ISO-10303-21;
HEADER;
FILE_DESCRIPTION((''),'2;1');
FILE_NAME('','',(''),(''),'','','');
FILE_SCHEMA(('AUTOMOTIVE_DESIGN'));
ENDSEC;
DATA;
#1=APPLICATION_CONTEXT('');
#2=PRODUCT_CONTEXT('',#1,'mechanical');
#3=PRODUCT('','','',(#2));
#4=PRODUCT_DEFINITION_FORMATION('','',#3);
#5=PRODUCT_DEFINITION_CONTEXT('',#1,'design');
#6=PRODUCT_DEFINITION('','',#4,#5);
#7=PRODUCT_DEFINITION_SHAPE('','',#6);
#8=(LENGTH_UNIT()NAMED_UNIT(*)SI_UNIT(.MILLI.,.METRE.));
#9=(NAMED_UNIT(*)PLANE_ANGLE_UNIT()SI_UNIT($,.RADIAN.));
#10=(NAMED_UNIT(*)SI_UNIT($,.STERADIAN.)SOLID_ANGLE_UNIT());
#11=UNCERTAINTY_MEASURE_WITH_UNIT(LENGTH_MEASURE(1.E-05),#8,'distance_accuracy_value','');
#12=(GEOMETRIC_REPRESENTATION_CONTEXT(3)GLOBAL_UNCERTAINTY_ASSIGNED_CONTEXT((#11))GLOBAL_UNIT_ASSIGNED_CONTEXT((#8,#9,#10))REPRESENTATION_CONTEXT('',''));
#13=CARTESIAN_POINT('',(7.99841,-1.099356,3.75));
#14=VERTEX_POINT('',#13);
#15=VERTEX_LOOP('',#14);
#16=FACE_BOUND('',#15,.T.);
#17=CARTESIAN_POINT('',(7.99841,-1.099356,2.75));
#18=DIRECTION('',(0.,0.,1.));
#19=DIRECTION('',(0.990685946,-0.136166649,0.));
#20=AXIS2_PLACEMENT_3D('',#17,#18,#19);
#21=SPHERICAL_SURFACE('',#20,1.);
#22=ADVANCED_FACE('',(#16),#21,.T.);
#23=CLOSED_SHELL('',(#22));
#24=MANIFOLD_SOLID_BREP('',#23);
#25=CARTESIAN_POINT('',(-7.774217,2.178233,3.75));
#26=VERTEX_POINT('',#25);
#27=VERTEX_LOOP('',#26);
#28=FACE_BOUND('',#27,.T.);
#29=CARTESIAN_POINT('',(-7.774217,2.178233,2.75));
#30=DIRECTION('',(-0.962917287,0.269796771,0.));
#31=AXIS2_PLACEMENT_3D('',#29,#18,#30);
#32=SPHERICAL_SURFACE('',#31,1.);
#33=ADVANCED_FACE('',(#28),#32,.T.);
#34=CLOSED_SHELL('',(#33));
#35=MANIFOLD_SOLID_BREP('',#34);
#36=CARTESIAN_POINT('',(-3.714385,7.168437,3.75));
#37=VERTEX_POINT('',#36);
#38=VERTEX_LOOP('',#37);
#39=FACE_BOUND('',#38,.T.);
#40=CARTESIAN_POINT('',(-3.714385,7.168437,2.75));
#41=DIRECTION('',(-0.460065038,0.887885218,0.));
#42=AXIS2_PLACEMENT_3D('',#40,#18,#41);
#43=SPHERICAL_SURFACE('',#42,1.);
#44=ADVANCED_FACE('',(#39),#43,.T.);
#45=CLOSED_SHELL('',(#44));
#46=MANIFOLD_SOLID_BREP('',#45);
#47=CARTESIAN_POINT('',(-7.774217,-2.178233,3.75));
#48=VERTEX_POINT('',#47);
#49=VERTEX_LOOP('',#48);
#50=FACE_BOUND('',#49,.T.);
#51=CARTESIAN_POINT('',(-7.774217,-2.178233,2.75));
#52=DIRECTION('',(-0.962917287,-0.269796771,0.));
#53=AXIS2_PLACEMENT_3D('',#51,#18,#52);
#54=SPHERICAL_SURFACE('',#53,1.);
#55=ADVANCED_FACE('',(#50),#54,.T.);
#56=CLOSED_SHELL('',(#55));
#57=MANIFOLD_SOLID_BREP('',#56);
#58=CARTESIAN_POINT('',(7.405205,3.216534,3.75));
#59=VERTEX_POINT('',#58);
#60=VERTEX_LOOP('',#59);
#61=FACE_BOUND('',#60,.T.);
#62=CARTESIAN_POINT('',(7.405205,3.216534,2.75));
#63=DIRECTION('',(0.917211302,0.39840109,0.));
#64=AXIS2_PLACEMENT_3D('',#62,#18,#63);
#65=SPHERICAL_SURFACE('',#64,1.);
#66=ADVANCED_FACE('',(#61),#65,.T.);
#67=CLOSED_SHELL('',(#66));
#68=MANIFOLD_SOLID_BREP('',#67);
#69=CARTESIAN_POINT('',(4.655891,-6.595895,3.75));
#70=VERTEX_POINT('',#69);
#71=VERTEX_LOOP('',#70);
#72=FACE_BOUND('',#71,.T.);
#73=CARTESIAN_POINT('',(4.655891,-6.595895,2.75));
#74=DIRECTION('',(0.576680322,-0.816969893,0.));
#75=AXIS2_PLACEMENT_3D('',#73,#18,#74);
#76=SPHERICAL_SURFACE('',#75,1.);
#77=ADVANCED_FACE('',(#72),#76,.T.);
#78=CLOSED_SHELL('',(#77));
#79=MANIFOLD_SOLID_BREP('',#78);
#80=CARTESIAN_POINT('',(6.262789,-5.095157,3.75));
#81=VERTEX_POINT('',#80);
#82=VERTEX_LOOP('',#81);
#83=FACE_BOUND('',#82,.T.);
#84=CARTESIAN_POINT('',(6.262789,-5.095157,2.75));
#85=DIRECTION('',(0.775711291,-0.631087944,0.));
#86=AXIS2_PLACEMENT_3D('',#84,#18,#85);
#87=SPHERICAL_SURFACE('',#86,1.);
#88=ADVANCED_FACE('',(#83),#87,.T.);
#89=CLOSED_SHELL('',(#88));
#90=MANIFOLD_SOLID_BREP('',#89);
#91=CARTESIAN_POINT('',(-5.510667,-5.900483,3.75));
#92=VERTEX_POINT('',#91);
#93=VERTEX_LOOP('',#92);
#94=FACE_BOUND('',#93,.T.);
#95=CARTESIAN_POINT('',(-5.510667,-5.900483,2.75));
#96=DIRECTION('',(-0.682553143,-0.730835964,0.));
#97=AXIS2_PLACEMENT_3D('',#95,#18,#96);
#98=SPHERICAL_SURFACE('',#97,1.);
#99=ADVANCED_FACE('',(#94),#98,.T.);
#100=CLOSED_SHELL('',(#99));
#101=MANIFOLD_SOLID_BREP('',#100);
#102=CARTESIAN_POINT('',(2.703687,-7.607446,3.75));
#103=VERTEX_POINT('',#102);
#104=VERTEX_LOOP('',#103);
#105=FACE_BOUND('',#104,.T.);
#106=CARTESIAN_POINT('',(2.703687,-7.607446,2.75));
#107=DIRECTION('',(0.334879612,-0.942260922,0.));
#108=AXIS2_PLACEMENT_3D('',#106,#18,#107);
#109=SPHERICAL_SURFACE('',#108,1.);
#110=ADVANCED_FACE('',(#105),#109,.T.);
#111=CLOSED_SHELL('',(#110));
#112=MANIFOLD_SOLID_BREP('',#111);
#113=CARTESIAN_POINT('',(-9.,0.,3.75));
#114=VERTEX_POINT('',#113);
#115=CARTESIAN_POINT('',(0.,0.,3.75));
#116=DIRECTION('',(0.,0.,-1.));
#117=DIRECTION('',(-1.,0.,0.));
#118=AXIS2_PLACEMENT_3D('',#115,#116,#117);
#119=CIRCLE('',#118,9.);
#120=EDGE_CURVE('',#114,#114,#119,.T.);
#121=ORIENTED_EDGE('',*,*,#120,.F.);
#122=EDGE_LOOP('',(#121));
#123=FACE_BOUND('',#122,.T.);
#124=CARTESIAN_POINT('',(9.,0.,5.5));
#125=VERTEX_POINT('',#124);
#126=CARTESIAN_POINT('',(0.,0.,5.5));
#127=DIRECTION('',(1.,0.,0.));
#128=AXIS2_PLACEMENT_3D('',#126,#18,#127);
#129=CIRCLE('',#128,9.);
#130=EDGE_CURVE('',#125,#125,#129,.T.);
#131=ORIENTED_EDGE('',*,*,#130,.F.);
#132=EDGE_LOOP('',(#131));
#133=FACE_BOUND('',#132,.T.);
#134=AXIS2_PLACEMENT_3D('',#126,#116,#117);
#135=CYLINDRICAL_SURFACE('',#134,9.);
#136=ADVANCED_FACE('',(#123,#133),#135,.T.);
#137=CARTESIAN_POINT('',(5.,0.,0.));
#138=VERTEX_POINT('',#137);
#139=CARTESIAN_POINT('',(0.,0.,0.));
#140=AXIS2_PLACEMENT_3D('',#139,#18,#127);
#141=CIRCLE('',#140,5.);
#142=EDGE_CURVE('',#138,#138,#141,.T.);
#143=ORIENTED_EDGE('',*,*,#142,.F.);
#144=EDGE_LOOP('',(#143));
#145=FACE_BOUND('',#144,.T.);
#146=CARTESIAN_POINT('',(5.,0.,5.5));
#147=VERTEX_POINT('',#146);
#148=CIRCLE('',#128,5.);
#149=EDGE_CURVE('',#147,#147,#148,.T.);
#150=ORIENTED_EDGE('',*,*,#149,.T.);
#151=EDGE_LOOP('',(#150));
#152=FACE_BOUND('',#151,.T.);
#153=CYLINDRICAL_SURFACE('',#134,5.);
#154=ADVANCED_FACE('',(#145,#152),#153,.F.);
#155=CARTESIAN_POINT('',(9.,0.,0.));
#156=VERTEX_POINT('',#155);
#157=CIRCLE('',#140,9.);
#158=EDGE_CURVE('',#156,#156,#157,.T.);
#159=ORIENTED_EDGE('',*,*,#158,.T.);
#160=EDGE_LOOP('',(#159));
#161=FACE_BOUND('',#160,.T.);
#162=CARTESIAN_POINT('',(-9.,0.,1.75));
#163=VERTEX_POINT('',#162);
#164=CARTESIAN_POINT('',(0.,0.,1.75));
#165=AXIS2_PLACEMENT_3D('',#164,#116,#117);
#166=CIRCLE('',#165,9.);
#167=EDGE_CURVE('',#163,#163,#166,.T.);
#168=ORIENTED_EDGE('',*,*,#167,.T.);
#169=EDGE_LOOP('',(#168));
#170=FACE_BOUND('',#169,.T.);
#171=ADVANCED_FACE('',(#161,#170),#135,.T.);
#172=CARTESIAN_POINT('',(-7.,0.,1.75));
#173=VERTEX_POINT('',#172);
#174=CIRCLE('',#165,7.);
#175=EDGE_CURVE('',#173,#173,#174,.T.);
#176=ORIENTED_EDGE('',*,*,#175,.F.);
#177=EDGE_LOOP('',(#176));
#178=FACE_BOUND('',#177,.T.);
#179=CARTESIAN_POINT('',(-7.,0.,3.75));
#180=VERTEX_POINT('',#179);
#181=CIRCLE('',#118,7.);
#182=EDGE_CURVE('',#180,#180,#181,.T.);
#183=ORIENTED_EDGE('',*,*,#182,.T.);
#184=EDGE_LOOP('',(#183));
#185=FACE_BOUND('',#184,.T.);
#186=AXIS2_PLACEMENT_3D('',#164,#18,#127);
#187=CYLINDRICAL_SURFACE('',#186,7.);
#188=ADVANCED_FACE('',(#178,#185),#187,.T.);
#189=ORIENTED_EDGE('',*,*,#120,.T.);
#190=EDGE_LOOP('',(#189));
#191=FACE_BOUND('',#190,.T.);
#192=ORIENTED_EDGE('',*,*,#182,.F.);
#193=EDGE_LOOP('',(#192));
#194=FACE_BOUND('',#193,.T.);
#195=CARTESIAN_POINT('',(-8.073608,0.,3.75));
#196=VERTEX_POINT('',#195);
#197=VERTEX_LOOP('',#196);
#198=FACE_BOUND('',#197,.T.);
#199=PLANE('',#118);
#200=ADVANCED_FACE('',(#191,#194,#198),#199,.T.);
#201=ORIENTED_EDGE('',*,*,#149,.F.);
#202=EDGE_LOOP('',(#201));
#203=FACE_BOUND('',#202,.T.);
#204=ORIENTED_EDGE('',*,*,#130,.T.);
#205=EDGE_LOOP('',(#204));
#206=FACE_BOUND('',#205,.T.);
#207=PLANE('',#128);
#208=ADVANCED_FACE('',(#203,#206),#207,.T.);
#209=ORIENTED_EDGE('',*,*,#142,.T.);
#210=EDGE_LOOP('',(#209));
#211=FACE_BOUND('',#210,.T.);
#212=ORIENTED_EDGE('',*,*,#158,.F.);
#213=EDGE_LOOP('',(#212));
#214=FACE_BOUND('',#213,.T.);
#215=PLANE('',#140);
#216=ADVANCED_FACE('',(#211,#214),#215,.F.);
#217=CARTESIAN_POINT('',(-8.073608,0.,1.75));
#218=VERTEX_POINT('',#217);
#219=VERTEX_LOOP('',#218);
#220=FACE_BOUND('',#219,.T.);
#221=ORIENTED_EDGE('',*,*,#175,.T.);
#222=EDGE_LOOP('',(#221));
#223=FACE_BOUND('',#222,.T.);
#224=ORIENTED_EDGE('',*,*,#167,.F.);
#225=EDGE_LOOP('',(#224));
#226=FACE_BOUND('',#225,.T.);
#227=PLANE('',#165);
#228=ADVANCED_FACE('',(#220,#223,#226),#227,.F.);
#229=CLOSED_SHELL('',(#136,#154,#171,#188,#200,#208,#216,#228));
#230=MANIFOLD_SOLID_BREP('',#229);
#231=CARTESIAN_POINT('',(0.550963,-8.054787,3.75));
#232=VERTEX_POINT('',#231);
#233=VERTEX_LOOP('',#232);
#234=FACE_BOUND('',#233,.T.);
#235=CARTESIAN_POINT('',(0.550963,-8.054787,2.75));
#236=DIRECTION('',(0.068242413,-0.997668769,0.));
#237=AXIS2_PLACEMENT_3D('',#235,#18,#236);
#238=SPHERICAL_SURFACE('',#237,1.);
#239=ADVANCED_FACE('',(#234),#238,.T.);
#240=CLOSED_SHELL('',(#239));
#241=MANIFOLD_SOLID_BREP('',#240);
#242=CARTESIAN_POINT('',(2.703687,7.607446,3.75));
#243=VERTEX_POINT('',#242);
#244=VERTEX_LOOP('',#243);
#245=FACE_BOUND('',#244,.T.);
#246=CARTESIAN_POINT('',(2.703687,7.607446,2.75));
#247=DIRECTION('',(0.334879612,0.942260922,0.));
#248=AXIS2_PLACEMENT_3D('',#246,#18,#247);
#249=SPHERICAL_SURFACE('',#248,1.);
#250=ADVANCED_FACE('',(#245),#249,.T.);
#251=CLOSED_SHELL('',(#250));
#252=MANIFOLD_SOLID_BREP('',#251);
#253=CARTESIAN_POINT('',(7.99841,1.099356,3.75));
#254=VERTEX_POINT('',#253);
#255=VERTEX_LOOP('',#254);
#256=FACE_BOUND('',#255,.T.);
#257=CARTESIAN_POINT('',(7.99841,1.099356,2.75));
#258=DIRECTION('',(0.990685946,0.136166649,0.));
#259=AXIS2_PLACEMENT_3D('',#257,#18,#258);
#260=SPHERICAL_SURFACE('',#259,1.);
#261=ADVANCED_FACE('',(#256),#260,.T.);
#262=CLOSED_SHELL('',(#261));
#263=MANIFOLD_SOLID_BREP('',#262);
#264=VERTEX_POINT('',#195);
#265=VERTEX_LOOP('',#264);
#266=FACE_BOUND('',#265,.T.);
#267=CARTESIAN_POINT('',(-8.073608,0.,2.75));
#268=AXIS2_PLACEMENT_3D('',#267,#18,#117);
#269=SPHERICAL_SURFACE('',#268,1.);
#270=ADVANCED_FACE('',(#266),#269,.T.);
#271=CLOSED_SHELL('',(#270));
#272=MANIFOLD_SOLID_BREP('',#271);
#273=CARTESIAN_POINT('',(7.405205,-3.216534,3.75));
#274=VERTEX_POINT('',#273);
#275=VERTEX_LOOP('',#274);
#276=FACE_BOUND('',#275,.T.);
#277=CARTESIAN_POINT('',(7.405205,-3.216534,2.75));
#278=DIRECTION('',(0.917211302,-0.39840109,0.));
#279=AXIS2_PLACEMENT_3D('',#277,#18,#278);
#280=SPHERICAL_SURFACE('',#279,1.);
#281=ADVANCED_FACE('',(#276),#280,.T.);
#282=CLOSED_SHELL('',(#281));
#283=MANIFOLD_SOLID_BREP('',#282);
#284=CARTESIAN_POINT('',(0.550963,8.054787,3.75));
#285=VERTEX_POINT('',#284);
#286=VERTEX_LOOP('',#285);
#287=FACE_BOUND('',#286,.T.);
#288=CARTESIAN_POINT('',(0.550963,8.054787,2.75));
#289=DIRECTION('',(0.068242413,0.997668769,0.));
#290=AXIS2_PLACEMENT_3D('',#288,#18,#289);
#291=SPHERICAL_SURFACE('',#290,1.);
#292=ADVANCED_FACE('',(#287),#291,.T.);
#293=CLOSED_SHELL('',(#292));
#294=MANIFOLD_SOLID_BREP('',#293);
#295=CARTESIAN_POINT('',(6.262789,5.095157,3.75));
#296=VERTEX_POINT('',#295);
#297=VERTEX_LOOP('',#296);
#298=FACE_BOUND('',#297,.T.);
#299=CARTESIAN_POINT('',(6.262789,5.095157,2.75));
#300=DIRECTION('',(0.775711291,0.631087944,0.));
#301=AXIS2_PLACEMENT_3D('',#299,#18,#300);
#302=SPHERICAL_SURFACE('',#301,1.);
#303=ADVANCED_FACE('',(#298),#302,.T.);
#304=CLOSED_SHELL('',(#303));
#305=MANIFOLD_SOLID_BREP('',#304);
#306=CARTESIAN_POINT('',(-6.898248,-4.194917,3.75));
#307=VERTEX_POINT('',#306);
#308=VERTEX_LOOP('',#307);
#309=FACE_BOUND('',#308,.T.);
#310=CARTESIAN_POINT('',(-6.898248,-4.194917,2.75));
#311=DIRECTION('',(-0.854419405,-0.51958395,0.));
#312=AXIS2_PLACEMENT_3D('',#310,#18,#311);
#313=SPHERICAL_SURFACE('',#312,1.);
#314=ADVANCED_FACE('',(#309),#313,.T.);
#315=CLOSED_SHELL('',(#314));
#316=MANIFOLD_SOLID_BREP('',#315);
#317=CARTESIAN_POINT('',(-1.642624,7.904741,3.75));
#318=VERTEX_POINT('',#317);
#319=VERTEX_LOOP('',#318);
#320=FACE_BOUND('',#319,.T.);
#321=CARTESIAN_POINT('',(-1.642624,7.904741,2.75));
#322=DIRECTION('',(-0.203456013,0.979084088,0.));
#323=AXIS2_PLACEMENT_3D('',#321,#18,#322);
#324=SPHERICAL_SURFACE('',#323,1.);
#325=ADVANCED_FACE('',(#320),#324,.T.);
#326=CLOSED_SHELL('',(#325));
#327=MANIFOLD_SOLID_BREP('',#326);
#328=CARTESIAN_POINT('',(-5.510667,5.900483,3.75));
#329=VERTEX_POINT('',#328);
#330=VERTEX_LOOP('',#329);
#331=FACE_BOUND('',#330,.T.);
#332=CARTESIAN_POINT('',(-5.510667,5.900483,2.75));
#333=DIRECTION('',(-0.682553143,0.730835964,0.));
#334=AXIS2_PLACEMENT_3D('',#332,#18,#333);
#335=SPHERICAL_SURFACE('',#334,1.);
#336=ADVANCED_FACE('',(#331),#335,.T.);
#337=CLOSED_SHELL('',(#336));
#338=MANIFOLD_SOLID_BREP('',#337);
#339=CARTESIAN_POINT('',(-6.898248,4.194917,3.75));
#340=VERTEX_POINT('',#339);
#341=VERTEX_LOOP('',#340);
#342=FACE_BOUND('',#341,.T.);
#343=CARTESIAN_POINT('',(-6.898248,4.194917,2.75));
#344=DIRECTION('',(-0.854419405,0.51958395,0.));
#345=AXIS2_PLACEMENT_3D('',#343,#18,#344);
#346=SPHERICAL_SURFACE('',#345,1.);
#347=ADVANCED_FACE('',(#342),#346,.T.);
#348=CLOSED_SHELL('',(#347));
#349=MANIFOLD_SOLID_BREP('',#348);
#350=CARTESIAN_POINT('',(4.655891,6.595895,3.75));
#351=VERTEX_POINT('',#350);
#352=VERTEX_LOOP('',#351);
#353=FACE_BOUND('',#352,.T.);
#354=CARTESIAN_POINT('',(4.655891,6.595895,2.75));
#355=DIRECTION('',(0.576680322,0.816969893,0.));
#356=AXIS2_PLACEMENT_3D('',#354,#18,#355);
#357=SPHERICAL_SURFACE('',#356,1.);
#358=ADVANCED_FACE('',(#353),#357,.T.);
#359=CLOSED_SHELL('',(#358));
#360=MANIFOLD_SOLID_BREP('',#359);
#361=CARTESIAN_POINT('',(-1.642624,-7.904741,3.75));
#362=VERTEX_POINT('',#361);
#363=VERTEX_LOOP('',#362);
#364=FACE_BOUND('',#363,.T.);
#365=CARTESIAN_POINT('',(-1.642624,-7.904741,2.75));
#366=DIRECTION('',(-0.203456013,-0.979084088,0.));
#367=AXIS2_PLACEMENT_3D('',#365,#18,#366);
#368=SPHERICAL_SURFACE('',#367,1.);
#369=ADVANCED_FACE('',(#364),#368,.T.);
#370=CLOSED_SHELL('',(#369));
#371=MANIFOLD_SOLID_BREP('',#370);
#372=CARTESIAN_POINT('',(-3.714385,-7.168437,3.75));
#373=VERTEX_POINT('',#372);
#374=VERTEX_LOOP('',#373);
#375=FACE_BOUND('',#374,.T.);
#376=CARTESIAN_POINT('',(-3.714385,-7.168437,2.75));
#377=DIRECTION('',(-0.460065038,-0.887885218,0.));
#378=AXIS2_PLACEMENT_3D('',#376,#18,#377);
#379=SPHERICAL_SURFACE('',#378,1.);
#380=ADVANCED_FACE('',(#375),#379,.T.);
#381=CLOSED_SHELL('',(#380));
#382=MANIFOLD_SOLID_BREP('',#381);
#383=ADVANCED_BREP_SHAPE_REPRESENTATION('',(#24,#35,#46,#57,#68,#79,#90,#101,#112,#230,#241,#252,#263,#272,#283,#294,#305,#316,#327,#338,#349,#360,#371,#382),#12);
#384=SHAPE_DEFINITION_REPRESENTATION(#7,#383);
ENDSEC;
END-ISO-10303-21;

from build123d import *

# Parameters (mm, degrees)
SKETCH_1_R               = 9
SKETCH_1_R_2             = 5
EXTRUDE_1_DEPTH          = 5.5
CUT_EXTRUDE_1_DEPTH      = 1
CUT_EXTRUDE_1_DEPTH_BACK = 1
SKETCH_2_R               = 9
SKETCH_2_R_2             = 7
PATTERN_CIRCULAR_4_COUNT = 23


with BuildPart() as part:
    # 草图1 → 凸台-拉伸1 (new body)
    with BuildSketch(Plane.XY):
        Circle(SKETCH_1_R)
        Circle(SKETCH_1_R_2, mode=Mode.SUBTRACT)
    extrude(amount=EXTRUDE_1_DEPTH)

    # 草图2 → 切除-拉伸1 (cut, two sides: drawn at the far end of the back side and taken through both)
    with BuildSketch(Plane(origin=(0, 0, 2.75), x_dir=(-1, 0, 0), z_dir=(0, 0, -1)).offset(-CUT_EXTRUDE_1_DEPTH_BACK)):
        Circle(SKETCH_2_R)
        Circle(SKETCH_2_R_2, mode=Mode.SUBTRACT)
    extrude(amount=CUT_EXTRUDE_1_DEPTH + CUT_EXTRUDE_1_DEPTH_BACK, mode=Mode.SUBTRACT)


with BuildPart() as body_2:
    # 草图3 → 旋转3 (revolve)
    with BuildSketch(Plane(origin=(0, 0, 0), x_dir=(1, 0, 0), z_dir=(0, 1, 0))):
        with BuildLine():
            Line((-8.073608321, -3.75), (-8.073608321, -1.75))
            ThreePointArc((-8.073608321, -1.75), (-9.073608321, -2.75), (-8.073608321, -3.75))
        make_face()
    revolve(axis=Axis((-8.073608321, 0, 3.75), (0, 0, -1)))


with BuildPart() as pattern_circular_4_1:
    # 阵列(圆周)4: pattern copy
    add(body_2.part.rotate(Axis((0, 0, 5.5), (0, 0, -1)), 1 * 360 / PATTERN_CIRCULAR_4_COUNT))


with BuildPart() as pattern_circular_4_2:
    # 阵列(圆周)4: pattern copy
    add(body_2.part.rotate(Axis((0, 0, 5.5), (0, 0, -1)), 2 * 360 / PATTERN_CIRCULAR_4_COUNT))


with BuildPart() as pattern_circular_4_3:
    # 阵列(圆周)4: pattern copy
    add(body_2.part.rotate(Axis((0, 0, 5.5), (0, 0, -1)), 3 * 360 / PATTERN_CIRCULAR_4_COUNT))


with BuildPart() as pattern_circular_4_4:
    # 阵列(圆周)4: pattern copy
    add(body_2.part.rotate(Axis((0, 0, 5.5), (0, 0, -1)), 4 * 360 / PATTERN_CIRCULAR_4_COUNT))


with BuildPart() as pattern_circular_4_5:
    # 阵列(圆周)4: pattern copy
    add(body_2.part.rotate(Axis((0, 0, 5.5), (0, 0, -1)), 5 * 360 / PATTERN_CIRCULAR_4_COUNT))


with BuildPart() as pattern_circular_4_6:
    # 阵列(圆周)4: pattern copy
    add(body_2.part.rotate(Axis((0, 0, 5.5), (0, 0, -1)), 6 * 360 / PATTERN_CIRCULAR_4_COUNT))


with BuildPart() as pattern_circular_4_7:
    # 阵列(圆周)4: pattern copy
    add(body_2.part.rotate(Axis((0, 0, 5.5), (0, 0, -1)), 7 * 360 / PATTERN_CIRCULAR_4_COUNT))


with BuildPart() as pattern_circular_4_8:
    # 阵列(圆周)4: pattern copy
    add(body_2.part.rotate(Axis((0, 0, 5.5), (0, 0, -1)), 8 * 360 / PATTERN_CIRCULAR_4_COUNT))


with BuildPart() as pattern_circular_4_9:
    # 阵列(圆周)4: pattern copy
    add(body_2.part.rotate(Axis((0, 0, 5.5), (0, 0, -1)), 9 * 360 / PATTERN_CIRCULAR_4_COUNT))


with BuildPart() as pattern_circular_4_10:
    # 阵列(圆周)4: pattern copy
    add(body_2.part.rotate(Axis((0, 0, 5.5), (0, 0, -1)), 10 * 360 / PATTERN_CIRCULAR_4_COUNT))


with BuildPart() as pattern_circular_4_11:
    # 阵列(圆周)4: pattern copy
    add(body_2.part.rotate(Axis((0, 0, 5.5), (0, 0, -1)), 11 * 360 / PATTERN_CIRCULAR_4_COUNT))


with BuildPart() as pattern_circular_4_12:
    # 阵列(圆周)4: pattern copy
    add(body_2.part.rotate(Axis((0, 0, 5.5), (0, 0, -1)), 12 * 360 / PATTERN_CIRCULAR_4_COUNT))


with BuildPart() as pattern_circular_4_13:
    # 阵列(圆周)4: pattern copy
    add(body_2.part.rotate(Axis((0, 0, 5.5), (0, 0, -1)), 13 * 360 / PATTERN_CIRCULAR_4_COUNT))


with BuildPart() as pattern_circular_4_14:
    # 阵列(圆周)4: pattern copy
    add(body_2.part.rotate(Axis((0, 0, 5.5), (0, 0, -1)), 14 * 360 / PATTERN_CIRCULAR_4_COUNT))


with BuildPart() as pattern_circular_4_15:
    # 阵列(圆周)4: pattern copy
    add(body_2.part.rotate(Axis((0, 0, 5.5), (0, 0, -1)), 15 * 360 / PATTERN_CIRCULAR_4_COUNT))


with BuildPart() as pattern_circular_4_16:
    # 阵列(圆周)4: pattern copy
    add(body_2.part.rotate(Axis((0, 0, 5.5), (0, 0, -1)), 16 * 360 / PATTERN_CIRCULAR_4_COUNT))


with BuildPart() as pattern_circular_4_17:
    # 阵列(圆周)4: pattern copy
    add(body_2.part.rotate(Axis((0, 0, 5.5), (0, 0, -1)), 17 * 360 / PATTERN_CIRCULAR_4_COUNT))


with BuildPart() as pattern_circular_4_18:
    # 阵列(圆周)4: pattern copy
    add(body_2.part.rotate(Axis((0, 0, 5.5), (0, 0, -1)), 18 * 360 / PATTERN_CIRCULAR_4_COUNT))


with BuildPart() as pattern_circular_4_19:
    # 阵列(圆周)4: pattern copy
    add(body_2.part.rotate(Axis((0, 0, 5.5), (0, 0, -1)), 19 * 360 / PATTERN_CIRCULAR_4_COUNT))


with BuildPart() as pattern_circular_4_20:
    # 阵列(圆周)4: pattern copy
    add(body_2.part.rotate(Axis((0, 0, 5.5), (0, 0, -1)), 20 * 360 / PATTERN_CIRCULAR_4_COUNT))


with BuildPart() as pattern_circular_4_21:
    # 阵列(圆周)4: pattern copy
    add(body_2.part.rotate(Axis((0, 0, 5.5), (0, 0, -1)), 21 * 360 / PATTERN_CIRCULAR_4_COUNT))


with BuildPart() as pattern_circular_4_22:
    # 阵列(圆周)4: pattern copy
    add(body_2.part.rotate(Axis((0, 0, 5.5), (0, 0, -1)), 22 * 360 / PATTERN_CIRCULAR_4_COUNT))


solid = Compound([part.part, body_2.part, pattern_circular_4_1.part, pattern_circular_4_2.part, pattern_circular_4_3.part, pattern_circular_4_4.part, pattern_circular_4_5.part, pattern_circular_4_6.part, pattern_circular_4_7.part, pattern_circular_4_8.part, pattern_circular_4_9.part, pattern_circular_4_10.part, pattern_circular_4_11.part, pattern_circular_4_12.part, pattern_circular_4_13.part, pattern_circular_4_14.part, pattern_circular_4_15.part, pattern_circular_4_16.part, pattern_circular_4_17.part, pattern_circular_4_18.part, pattern_circular_4_19.part, pattern_circular_4_20.part, pattern_circular_4_21.part, pattern_circular_4_22.part])
